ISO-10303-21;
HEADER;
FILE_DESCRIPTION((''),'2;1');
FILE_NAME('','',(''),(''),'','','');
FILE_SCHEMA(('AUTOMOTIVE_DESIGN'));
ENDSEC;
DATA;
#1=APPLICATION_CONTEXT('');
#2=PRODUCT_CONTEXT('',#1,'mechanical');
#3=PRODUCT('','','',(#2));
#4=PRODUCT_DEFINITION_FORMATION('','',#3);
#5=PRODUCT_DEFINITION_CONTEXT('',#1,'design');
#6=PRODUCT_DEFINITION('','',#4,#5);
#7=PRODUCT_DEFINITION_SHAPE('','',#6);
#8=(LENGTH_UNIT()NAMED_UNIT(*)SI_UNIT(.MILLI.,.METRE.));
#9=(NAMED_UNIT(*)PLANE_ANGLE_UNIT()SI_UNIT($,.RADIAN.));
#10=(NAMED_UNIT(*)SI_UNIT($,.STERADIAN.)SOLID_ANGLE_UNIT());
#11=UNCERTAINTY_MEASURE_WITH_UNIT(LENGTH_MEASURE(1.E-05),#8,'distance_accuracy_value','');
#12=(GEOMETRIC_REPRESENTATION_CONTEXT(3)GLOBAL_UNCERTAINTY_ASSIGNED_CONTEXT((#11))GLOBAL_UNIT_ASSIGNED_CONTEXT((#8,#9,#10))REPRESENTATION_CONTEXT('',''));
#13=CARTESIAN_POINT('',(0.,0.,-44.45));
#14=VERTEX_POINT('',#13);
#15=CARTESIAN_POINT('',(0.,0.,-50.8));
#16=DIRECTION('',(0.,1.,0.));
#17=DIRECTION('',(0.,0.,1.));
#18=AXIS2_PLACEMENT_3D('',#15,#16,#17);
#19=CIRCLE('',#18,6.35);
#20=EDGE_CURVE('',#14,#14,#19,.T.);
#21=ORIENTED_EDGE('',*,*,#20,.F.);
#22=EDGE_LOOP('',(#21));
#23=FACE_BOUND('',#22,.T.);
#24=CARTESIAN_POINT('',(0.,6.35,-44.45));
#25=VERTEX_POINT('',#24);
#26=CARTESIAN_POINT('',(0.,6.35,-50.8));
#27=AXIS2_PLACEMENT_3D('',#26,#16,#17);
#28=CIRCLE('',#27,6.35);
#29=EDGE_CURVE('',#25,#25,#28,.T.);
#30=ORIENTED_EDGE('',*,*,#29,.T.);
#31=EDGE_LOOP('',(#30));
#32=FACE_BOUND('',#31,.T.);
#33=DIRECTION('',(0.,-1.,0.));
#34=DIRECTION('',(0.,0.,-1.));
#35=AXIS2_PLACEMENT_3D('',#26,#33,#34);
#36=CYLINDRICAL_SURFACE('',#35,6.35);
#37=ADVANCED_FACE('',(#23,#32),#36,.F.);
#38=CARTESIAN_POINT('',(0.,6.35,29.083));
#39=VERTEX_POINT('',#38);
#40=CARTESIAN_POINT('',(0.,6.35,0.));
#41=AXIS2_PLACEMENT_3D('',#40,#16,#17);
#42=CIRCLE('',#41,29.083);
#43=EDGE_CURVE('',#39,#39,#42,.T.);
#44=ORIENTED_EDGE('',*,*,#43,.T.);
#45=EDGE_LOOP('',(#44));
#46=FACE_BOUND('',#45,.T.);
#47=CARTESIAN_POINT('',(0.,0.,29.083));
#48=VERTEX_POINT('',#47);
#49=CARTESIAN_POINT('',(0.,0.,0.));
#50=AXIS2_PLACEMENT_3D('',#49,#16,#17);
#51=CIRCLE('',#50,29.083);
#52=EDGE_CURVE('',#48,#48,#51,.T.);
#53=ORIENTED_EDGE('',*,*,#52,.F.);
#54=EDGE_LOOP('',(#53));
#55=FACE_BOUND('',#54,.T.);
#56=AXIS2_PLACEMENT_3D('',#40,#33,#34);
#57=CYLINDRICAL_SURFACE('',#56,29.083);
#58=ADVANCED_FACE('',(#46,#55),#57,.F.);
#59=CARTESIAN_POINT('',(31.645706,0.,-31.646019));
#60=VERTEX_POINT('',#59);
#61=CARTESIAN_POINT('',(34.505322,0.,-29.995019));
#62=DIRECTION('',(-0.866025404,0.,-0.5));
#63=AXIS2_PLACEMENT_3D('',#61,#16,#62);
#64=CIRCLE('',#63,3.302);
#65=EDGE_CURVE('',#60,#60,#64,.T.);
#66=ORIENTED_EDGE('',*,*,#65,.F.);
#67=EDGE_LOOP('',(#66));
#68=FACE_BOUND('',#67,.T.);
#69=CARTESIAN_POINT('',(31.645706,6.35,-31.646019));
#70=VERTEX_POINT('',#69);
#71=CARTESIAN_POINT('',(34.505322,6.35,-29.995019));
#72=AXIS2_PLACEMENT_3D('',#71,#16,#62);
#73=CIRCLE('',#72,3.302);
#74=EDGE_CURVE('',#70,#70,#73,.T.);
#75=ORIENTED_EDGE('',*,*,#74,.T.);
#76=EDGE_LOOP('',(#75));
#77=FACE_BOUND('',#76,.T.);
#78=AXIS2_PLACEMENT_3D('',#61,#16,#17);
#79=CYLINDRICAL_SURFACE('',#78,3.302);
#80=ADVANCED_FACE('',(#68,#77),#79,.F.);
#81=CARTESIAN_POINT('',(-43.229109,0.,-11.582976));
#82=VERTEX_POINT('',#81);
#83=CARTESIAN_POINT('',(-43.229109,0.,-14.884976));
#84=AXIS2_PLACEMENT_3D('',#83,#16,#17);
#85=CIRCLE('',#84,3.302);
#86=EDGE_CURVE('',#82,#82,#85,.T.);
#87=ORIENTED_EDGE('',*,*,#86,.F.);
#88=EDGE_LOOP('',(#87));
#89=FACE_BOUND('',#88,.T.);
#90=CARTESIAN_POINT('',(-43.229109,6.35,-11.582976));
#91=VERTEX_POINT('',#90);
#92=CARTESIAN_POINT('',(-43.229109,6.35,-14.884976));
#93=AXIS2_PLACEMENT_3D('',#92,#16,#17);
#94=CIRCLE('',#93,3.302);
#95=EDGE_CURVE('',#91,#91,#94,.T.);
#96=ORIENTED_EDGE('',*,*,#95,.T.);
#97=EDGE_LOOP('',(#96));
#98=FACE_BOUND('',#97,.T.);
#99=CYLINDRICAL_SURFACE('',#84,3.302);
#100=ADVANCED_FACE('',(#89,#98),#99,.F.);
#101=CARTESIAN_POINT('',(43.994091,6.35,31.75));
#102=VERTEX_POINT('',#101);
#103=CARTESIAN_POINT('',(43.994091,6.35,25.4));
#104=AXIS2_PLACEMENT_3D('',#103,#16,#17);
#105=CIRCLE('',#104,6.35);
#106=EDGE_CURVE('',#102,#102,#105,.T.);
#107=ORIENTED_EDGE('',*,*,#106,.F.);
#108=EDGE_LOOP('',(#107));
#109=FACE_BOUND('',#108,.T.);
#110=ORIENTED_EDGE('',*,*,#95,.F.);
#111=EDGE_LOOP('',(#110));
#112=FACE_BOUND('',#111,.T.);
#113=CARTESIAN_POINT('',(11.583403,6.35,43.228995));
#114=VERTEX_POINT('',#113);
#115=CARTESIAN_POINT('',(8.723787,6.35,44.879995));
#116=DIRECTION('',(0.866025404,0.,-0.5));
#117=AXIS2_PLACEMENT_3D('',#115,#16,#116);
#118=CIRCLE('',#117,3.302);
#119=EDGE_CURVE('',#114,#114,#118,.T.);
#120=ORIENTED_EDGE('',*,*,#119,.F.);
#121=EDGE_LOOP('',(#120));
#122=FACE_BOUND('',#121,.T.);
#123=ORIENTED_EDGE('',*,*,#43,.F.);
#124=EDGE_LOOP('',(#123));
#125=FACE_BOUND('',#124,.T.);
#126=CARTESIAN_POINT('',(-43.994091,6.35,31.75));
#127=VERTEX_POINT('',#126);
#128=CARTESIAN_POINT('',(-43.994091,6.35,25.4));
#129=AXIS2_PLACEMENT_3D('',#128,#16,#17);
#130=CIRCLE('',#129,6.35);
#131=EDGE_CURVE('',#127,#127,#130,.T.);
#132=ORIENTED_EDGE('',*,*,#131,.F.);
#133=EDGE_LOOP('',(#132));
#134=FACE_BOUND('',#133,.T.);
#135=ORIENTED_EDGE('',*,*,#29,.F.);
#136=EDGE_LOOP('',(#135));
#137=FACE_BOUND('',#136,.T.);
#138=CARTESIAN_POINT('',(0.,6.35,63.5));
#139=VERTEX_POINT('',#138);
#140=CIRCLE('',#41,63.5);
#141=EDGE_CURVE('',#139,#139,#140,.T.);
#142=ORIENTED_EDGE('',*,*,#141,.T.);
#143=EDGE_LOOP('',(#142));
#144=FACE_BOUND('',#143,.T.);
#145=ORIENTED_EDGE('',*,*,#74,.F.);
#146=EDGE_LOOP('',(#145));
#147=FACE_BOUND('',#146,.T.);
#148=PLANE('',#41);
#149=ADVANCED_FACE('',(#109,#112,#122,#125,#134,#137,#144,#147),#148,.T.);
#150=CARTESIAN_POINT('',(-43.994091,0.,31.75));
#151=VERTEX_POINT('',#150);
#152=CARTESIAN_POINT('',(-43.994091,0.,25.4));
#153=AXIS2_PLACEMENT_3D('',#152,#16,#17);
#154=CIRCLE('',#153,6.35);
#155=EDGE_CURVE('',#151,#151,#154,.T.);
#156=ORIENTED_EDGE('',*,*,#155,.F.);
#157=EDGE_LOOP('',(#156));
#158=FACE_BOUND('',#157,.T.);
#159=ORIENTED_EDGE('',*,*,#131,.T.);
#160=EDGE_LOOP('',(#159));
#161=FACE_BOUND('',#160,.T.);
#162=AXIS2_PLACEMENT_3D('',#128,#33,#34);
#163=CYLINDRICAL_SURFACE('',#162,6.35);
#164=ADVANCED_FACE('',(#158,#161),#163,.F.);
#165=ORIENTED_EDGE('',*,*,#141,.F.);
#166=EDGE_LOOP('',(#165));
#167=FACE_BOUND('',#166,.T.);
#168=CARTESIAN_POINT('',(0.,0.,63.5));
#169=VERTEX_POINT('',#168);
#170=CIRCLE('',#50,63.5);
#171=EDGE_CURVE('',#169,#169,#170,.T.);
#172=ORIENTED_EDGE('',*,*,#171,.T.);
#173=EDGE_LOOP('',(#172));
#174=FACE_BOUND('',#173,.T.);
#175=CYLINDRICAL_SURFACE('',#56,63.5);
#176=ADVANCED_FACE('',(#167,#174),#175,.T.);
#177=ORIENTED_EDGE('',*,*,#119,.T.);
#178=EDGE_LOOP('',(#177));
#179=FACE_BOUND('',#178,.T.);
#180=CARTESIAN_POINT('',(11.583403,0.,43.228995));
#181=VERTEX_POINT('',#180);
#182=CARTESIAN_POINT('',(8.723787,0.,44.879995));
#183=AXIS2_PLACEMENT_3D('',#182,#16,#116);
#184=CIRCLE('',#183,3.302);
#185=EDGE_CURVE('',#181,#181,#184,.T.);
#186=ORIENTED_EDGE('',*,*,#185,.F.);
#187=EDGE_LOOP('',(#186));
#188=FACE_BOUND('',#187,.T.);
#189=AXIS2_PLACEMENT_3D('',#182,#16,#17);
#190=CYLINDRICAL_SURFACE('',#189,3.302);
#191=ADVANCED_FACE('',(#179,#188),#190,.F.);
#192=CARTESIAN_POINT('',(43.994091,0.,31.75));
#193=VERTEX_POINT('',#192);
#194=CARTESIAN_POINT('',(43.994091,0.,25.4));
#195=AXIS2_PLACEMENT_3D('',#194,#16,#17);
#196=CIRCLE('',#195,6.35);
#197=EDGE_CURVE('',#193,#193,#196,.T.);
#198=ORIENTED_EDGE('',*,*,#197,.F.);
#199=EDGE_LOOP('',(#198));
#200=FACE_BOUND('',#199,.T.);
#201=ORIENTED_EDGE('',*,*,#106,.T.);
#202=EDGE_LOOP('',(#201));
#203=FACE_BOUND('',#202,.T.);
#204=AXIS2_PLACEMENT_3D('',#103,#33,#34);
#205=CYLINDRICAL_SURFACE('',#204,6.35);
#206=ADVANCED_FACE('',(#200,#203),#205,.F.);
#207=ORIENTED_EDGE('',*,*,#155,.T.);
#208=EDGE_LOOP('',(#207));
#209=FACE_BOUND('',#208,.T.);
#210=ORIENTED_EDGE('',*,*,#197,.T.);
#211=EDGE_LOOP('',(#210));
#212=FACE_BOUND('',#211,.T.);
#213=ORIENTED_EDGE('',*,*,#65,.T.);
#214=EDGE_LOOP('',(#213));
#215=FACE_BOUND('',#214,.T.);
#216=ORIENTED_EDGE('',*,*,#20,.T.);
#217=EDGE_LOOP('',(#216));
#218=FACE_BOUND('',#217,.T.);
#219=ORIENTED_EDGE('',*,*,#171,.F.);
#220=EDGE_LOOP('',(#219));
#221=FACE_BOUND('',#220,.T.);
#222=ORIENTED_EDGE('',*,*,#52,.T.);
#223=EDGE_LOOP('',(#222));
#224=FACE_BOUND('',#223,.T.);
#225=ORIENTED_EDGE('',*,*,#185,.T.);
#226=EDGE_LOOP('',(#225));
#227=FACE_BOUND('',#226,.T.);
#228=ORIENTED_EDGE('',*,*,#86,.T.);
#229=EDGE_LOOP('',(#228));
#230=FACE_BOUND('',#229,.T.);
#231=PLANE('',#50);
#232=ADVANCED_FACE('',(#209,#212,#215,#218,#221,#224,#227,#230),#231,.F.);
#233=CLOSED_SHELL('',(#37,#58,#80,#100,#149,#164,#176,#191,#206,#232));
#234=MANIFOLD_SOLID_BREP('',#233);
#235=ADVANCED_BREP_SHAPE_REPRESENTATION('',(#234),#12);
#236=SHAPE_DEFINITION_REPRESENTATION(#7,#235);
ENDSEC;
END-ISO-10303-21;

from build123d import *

# Parameters (mm, degrees)
SKETCH1_R           = 63.5
SKETCH1_R_2         = 29.083
SKETCH1_R_3         = 6.35
BOSS_EXTRUDE1_DEPTH = 6.35
SKETCH5_R           = 3.302
CUT_EXTRUDE4_DEPTH  = 7.35
CIRPATTERN2_COUNT   = 3


with BuildPart() as part:
    # Sketch1 → Boss-Extrude1 (new body)
    with BuildSketch(Plane(origin=(0, 0, 0), x_dir=(1, 0, 0), z_dir=(0, 1, 0))):
        Circle(SKETCH1_R)
        Circle(SKETCH1_R_2, mode=Mode.SUBTRACT)
        with Locations((0, 50.8)):
            Circle(SKETCH1_R_3, mode=Mode.SUBTRACT)
        with Locations((43.994090512, -25.4)):
            Circle(SKETCH1_R_3, mode=Mode.SUBTRACT)
        with Locations((-43.994090512, -25.4)):
            Circle(SKETCH1_R_3, mode=Mode.SUBTRACT)
    extrude(amount=BOSS_EXTRUDE1_DEPTH)

    # Sketch5 → Cut-Extrude4 (cut, through all)
    with BuildSketch(Plane(origin=(0, 6.35, 0), x_dir=(1, 0, 0), z_dir=(0, 1, 0))):
        with Locations((-43.229109276, 14.884976022)):
            Circle(SKETCH5_R)
    cut_extrude4 = extrude(amount=-CUT_EXTRUDE4_DEPTH, mode=Mode.SUBTRACT)

    # CirPattern2: Cut-Extrude4 ×3 about axis
    cirpattern2_axis = Axis((0, 0, 0), (0, 1, 0))
    for i in range(1, CIRPATTERN2_COUNT):
        add(cut_extrude4.rotate(cirpattern2_axis, i * 360 / CIRPATTERN2_COUNT), mode=Mode.SUBTRACT)


solid = part.part
